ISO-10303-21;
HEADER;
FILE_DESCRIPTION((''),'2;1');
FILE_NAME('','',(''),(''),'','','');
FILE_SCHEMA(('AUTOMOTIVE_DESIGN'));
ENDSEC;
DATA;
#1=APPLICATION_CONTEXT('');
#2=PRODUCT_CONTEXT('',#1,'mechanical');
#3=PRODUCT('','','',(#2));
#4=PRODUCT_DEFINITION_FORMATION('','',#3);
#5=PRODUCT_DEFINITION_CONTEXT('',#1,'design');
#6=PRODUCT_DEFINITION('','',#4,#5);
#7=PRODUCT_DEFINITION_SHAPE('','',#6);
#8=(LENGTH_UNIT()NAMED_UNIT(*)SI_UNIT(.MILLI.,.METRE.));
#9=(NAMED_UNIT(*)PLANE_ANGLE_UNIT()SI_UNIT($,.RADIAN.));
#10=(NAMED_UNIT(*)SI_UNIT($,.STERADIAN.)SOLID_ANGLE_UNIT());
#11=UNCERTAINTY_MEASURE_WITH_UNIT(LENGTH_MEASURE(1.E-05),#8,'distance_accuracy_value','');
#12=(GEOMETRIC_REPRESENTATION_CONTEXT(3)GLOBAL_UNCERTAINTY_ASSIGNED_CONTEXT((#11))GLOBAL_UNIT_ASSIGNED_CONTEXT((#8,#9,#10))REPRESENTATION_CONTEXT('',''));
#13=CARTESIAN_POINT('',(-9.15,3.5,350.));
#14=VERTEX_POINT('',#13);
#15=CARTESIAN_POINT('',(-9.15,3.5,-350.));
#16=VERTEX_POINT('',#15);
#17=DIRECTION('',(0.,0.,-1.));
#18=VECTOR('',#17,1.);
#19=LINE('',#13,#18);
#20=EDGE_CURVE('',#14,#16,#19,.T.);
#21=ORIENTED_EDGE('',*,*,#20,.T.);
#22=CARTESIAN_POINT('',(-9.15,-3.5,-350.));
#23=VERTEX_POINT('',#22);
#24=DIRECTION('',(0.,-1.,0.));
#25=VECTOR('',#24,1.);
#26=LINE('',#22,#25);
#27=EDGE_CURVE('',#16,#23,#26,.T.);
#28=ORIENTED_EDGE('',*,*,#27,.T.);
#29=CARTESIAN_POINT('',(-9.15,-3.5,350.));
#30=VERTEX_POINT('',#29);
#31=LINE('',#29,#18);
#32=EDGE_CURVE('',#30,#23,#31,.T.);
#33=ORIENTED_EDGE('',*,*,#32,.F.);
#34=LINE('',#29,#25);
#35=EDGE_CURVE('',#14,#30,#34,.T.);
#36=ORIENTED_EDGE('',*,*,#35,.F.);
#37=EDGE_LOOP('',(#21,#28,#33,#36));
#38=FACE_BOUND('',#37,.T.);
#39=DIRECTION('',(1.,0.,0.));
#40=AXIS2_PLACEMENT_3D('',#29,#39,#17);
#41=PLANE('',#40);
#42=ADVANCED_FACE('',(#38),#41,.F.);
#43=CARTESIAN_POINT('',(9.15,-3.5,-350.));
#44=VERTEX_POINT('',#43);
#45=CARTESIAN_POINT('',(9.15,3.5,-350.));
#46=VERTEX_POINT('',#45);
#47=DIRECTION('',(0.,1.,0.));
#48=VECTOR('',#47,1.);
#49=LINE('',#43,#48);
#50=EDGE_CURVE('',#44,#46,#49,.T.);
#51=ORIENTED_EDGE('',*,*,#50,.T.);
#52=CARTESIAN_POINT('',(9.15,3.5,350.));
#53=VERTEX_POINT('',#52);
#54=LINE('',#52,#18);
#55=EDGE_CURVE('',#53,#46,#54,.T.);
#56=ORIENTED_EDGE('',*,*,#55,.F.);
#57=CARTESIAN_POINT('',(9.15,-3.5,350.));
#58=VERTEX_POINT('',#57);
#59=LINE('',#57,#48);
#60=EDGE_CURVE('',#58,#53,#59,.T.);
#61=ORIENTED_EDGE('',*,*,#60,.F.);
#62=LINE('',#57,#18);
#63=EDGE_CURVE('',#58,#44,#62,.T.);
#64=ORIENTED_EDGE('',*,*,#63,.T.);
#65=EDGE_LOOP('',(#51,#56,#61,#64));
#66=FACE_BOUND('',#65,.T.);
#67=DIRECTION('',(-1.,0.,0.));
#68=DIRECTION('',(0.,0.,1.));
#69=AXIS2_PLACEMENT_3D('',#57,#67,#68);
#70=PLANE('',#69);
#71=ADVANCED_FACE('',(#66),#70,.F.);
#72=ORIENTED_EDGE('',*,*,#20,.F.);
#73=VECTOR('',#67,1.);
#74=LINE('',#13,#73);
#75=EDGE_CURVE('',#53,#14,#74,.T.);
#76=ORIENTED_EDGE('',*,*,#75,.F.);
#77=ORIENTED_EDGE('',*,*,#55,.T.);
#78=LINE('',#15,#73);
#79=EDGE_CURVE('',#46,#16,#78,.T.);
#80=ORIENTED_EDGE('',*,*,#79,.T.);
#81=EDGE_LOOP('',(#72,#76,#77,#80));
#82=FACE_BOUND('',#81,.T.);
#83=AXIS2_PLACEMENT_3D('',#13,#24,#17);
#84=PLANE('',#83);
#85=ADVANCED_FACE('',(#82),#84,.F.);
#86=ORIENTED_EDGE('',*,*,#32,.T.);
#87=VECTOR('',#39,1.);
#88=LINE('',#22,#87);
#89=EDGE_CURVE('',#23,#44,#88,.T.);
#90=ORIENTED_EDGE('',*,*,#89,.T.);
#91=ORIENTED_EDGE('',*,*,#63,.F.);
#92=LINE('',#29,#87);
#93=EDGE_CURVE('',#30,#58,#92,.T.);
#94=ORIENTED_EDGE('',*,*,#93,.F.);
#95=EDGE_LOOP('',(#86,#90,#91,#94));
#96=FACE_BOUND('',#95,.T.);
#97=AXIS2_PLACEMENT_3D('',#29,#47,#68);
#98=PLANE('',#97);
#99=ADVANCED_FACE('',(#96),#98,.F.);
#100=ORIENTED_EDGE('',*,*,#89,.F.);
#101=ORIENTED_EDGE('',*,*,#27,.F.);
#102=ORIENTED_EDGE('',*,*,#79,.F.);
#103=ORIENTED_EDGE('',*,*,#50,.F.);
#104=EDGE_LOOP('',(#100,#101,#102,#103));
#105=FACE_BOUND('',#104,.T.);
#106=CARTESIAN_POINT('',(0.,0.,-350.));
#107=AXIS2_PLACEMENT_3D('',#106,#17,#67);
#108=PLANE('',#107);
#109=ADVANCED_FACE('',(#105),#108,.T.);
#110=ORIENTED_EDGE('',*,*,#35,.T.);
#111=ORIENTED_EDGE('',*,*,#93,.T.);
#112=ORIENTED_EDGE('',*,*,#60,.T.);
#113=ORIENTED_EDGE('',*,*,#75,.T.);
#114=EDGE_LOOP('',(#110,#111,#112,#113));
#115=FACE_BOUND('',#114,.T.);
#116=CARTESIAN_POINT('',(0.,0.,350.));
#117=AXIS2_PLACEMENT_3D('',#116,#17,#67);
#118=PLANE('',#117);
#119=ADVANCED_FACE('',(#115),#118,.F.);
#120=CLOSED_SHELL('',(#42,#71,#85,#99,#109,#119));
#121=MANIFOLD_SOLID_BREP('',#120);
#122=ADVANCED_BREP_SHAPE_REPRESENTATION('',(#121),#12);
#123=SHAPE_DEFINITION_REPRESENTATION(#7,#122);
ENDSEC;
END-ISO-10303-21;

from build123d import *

# Parameters (mm, degrees)
SKETCH1_W           = 18.3
SKETCH1_H           = 7
BOSS_EXTRUDE1_DEPTH = 350


with BuildPart() as part:
    # Sketch1 → Boss-Extrude1 (new body, symmetric)
    with BuildSketch(Plane.XY):
        Rectangle(SKETCH1_W, SKETCH1_H)
    extrude(amount=BOSS_EXTRUDE1_DEPTH, both=True)


solid = part.part
